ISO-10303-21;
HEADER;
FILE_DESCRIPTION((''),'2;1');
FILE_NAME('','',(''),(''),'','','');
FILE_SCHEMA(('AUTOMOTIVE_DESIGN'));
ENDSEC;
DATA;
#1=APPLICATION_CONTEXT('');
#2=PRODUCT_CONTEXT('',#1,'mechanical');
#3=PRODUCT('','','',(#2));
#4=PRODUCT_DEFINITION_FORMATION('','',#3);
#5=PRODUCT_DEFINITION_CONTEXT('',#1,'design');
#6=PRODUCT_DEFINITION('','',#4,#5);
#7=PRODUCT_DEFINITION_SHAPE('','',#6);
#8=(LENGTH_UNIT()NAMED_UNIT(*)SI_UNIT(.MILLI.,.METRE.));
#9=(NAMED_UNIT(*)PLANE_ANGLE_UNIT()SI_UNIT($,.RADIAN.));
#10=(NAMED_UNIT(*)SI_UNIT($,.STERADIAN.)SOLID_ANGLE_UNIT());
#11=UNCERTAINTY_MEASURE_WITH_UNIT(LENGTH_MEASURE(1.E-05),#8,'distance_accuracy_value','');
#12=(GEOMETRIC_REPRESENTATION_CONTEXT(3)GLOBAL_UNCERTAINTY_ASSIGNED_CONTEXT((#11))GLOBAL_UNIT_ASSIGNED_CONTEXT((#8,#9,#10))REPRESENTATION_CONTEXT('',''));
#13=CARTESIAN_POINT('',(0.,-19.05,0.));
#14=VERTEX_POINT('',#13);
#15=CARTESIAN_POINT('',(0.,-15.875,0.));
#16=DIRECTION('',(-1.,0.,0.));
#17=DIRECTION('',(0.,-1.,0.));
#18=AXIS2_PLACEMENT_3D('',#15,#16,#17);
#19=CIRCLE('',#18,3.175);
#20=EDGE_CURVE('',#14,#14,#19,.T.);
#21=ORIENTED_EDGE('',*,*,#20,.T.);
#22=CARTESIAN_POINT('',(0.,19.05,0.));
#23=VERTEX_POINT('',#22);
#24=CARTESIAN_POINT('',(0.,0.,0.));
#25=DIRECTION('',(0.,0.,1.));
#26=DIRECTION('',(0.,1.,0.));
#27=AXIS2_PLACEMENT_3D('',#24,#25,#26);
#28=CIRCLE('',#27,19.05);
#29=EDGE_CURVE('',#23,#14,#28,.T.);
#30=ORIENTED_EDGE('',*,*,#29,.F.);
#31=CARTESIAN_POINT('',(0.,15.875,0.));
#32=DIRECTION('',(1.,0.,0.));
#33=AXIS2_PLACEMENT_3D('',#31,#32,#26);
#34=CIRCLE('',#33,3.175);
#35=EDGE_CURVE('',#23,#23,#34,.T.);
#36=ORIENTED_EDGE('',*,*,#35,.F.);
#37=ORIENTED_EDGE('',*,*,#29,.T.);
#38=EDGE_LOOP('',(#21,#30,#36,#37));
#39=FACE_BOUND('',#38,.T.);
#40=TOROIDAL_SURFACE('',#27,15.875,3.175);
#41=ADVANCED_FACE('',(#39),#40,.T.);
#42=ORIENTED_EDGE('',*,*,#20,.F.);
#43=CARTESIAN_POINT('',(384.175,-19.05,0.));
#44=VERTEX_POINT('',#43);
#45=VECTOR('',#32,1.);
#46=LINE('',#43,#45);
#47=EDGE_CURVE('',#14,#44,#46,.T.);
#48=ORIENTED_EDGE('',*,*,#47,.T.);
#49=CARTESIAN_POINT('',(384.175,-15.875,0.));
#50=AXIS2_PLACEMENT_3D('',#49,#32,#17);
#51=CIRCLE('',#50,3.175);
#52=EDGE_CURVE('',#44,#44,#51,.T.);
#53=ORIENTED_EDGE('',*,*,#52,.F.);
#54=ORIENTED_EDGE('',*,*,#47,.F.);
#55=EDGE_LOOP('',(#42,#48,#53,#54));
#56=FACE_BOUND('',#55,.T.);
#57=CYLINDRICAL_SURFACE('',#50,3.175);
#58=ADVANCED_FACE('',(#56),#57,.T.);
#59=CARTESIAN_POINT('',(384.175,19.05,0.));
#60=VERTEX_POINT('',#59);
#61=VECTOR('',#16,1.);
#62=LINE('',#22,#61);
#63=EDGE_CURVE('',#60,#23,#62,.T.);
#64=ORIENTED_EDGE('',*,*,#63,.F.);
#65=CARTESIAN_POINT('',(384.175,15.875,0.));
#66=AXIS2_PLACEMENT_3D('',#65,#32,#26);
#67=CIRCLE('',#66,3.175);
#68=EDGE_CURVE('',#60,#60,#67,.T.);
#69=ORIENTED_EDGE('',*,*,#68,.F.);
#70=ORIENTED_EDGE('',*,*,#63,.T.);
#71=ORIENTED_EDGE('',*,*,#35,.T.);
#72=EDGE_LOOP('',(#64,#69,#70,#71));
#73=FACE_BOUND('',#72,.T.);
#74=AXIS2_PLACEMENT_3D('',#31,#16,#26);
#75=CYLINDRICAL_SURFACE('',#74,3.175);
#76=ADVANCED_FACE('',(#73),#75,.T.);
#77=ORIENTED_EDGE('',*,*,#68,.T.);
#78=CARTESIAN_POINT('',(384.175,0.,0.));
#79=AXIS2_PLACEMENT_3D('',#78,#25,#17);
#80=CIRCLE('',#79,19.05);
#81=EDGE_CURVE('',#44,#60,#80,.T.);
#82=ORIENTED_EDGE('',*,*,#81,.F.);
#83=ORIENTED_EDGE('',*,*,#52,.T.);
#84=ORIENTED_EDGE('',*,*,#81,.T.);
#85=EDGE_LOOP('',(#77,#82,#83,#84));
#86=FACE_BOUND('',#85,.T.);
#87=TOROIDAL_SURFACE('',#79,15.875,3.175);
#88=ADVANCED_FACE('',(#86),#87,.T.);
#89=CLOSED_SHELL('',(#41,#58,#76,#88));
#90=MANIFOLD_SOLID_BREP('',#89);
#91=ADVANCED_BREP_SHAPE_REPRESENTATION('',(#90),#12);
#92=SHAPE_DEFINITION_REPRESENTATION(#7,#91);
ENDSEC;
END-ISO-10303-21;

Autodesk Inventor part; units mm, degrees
ref_plane "YZ Plane" through (0, 0, 0) normal (1, 0, 0) x (0, 1, 0)
ref_plane "XZ Plane" through (0, 0, 0) normal (0, 1, 0) x (-1, 0, 0)
ref_plane "XY Plane" through (0, 0, 0) normal (0, 0, 1) x (1, 0, 0)
sketch "Sketch1" plane through (0, 0, 0) normal (0, 0, 1) x (1, 0, 0)
  arc A0 (0, 15.875) -> (0, -15.875) centre (0, 0) ccw
  line L0 (0, 15.875) -> (384.175, 15.875)
  arc A1 (384.175, -15.875) -> (384.175, 15.875) centre (384.175, 0) ccw
  line L1 (384.175, -15.875) -> (0, -15.875)
  dimension "d0" = 384.175
  dimension "d1" = 15.875
sketch "Sketch2" plane through (0, 0, 0) normal (1, 0, 0) x (0, 1, 0)
  circle A0 centre (15.875, 0) radius 3.175
  point P0 (0, 0)
  dimension "d2" = 15.875
  dimension "d3" = 6.35
sweep "Sweep1" add profiles "Sketch2" path "Sketch1"
properties part number "uptake polycord"
